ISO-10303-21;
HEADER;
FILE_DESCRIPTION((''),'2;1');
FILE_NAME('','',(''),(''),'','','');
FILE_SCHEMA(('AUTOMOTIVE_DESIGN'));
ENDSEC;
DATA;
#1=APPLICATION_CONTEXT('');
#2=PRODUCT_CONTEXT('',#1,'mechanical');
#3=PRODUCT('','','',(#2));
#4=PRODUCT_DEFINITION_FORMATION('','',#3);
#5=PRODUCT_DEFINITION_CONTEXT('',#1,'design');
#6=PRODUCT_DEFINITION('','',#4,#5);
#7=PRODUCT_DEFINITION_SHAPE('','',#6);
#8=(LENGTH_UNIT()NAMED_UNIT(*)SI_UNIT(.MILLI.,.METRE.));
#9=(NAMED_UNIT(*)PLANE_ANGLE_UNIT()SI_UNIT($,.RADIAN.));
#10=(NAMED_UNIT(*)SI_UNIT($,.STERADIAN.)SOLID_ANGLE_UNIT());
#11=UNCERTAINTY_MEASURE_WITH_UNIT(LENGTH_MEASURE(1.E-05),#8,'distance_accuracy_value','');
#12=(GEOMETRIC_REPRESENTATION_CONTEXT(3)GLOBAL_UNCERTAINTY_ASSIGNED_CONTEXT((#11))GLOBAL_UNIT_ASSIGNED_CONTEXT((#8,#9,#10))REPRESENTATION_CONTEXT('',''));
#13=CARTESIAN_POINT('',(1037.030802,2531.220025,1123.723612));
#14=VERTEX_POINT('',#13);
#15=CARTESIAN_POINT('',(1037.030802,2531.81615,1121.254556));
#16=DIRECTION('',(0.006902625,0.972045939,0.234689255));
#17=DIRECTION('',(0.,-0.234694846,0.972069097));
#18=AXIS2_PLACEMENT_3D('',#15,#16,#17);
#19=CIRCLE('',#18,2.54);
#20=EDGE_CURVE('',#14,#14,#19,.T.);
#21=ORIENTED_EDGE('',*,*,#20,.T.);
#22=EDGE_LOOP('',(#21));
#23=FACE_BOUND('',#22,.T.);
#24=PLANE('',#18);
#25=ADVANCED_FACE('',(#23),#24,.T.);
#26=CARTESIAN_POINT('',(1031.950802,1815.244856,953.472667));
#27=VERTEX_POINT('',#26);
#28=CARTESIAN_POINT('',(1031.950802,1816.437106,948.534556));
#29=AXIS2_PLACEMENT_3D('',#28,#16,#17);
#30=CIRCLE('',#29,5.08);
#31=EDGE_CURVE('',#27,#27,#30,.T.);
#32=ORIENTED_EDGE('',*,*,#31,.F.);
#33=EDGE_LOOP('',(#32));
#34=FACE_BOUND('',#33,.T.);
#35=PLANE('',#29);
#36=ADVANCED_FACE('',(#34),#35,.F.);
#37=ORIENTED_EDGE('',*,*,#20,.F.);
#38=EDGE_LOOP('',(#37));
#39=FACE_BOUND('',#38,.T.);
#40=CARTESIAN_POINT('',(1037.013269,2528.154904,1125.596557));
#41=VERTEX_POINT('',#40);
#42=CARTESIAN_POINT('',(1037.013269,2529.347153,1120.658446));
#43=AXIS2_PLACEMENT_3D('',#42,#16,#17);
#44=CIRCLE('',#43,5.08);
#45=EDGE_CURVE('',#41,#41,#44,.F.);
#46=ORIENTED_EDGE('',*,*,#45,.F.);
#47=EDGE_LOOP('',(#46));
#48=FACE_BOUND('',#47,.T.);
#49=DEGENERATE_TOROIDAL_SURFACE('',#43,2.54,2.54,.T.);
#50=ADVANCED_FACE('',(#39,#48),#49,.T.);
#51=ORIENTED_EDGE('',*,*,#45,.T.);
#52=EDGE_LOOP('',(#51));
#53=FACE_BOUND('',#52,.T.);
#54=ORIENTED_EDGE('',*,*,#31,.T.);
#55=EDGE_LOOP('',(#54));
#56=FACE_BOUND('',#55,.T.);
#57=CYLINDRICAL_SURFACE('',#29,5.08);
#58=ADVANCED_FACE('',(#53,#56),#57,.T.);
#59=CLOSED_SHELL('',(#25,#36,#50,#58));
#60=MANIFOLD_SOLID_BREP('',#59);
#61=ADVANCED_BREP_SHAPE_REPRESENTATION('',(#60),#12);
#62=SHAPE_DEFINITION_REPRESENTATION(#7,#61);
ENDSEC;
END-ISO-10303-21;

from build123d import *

# Parameters (mm, degrees)
SWEEP1_PROFILE_R = 5.08
FILLET1_R        = 2.54


with BuildPart() as part:
    # Sweep1: sweep along a curve in space
    with BuildLine() as sweep1_path:
        Line((1031.950801769, 1816.437106037, 948.53455637), (1037.030801769, 2531.816150146, 1121.25455637))
    # Sweep1 profile (on start of the path) → Sweep1 (sweep)
    with BuildSketch(Plane(origin=(1031.950801769, 1816.437106037, 948.53455637), x_dir=(0, -0.234694846, 0.972069097), z_dir=(0.006902625, 0.972045939, 0.234689255))):
        Circle(SWEEP1_PROFILE_R)
    sweep(path=sweep1_path.line)

    # Fillet1
    fillet1_edges = [part.edges().sort_by_distance(p)[0] for p in [
        (1037.030801769, 2533.008399963, 1116.316445357),
    ]]
    fillet(fillet1_edges, radius=FILLET1_R)


solid = part.part
